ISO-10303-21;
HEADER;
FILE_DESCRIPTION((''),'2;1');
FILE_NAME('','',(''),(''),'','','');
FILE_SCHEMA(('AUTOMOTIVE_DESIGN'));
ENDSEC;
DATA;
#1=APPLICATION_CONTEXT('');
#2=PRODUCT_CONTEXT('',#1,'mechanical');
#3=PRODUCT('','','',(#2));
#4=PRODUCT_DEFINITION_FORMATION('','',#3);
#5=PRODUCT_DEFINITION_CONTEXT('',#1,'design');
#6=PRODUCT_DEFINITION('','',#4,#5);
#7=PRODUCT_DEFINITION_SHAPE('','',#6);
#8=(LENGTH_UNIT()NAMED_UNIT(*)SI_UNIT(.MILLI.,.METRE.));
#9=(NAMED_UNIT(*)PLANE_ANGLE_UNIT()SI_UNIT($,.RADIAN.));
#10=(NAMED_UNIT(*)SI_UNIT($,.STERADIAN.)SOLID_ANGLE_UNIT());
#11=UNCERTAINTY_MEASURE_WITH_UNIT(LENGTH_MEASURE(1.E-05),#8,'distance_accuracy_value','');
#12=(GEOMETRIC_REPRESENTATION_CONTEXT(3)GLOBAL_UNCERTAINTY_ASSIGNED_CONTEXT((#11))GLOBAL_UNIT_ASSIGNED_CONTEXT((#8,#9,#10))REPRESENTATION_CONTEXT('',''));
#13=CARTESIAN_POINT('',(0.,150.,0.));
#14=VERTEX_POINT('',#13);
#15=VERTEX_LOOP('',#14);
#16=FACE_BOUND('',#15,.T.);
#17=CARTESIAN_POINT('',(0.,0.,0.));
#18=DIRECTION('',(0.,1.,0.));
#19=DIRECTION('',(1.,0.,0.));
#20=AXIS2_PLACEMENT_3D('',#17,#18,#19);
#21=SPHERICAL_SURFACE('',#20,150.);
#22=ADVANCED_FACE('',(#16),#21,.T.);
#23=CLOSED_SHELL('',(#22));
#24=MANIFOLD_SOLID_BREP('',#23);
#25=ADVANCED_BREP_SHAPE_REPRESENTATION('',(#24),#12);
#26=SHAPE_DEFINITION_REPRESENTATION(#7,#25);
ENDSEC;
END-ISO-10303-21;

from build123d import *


with BuildPart() as part:
    # Sketch2 → Revolve1 (revolve)
    with BuildSketch(Plane.XY):
        with BuildLine():
            Line((0, 150), (0, -150))
            ThreePointArc((0, -150), (150, 0), (0, 150))
        make_face()
    revolve(axis=Axis((0, 150, 0), (0, -1, 0)))


solid = part.part
